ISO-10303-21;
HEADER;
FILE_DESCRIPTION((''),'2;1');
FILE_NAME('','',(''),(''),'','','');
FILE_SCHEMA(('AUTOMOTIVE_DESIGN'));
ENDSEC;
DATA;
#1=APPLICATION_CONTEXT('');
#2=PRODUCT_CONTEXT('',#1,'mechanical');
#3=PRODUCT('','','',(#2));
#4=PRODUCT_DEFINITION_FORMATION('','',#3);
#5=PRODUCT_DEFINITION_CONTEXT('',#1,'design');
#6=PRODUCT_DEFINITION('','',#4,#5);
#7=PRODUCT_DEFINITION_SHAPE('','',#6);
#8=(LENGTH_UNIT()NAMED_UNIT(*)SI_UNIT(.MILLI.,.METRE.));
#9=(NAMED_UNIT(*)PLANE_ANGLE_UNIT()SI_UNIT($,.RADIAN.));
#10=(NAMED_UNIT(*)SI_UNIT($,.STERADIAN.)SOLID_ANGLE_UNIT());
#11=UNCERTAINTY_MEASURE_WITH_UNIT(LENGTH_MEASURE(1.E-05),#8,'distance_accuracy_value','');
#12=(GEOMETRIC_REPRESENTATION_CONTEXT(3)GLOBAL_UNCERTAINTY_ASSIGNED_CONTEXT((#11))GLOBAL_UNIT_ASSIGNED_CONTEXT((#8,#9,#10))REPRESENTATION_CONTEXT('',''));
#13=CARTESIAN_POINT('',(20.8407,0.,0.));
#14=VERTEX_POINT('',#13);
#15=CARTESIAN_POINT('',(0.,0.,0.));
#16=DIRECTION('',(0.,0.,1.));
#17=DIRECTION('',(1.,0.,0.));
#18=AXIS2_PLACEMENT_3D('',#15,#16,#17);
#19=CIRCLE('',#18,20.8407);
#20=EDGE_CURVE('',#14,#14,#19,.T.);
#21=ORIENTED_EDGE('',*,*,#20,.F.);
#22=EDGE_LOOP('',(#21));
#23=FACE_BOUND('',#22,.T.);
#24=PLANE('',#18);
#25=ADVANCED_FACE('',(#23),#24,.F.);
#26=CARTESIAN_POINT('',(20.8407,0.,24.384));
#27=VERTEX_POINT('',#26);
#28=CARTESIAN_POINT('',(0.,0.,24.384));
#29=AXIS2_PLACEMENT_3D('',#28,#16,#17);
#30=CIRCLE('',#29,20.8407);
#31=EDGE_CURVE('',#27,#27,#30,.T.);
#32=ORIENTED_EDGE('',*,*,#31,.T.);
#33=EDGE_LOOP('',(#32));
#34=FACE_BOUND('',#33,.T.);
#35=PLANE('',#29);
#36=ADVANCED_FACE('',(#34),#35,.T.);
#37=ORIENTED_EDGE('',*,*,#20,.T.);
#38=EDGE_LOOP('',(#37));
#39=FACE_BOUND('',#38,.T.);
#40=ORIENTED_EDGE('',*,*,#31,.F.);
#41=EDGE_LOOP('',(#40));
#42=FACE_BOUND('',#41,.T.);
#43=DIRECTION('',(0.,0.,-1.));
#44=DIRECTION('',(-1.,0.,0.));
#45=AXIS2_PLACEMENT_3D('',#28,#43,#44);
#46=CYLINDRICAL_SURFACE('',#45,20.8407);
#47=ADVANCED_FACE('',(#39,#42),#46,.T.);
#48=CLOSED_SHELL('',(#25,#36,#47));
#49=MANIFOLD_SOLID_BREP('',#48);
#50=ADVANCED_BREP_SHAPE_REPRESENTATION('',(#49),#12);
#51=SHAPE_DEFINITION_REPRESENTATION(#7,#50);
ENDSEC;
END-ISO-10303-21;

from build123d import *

# Parameters (mm, degrees)
SKETCH1_R      = 20.8407
EXTRUDE1_DEPTH = 24.384


with BuildPart() as part:
    # Sketch1 → Extrude1 (new body)
    with BuildSketch(Plane.XY):
        Circle(SKETCH1_R)
    extrude(amount=EXTRUDE1_DEPTH)


solid = part.part
